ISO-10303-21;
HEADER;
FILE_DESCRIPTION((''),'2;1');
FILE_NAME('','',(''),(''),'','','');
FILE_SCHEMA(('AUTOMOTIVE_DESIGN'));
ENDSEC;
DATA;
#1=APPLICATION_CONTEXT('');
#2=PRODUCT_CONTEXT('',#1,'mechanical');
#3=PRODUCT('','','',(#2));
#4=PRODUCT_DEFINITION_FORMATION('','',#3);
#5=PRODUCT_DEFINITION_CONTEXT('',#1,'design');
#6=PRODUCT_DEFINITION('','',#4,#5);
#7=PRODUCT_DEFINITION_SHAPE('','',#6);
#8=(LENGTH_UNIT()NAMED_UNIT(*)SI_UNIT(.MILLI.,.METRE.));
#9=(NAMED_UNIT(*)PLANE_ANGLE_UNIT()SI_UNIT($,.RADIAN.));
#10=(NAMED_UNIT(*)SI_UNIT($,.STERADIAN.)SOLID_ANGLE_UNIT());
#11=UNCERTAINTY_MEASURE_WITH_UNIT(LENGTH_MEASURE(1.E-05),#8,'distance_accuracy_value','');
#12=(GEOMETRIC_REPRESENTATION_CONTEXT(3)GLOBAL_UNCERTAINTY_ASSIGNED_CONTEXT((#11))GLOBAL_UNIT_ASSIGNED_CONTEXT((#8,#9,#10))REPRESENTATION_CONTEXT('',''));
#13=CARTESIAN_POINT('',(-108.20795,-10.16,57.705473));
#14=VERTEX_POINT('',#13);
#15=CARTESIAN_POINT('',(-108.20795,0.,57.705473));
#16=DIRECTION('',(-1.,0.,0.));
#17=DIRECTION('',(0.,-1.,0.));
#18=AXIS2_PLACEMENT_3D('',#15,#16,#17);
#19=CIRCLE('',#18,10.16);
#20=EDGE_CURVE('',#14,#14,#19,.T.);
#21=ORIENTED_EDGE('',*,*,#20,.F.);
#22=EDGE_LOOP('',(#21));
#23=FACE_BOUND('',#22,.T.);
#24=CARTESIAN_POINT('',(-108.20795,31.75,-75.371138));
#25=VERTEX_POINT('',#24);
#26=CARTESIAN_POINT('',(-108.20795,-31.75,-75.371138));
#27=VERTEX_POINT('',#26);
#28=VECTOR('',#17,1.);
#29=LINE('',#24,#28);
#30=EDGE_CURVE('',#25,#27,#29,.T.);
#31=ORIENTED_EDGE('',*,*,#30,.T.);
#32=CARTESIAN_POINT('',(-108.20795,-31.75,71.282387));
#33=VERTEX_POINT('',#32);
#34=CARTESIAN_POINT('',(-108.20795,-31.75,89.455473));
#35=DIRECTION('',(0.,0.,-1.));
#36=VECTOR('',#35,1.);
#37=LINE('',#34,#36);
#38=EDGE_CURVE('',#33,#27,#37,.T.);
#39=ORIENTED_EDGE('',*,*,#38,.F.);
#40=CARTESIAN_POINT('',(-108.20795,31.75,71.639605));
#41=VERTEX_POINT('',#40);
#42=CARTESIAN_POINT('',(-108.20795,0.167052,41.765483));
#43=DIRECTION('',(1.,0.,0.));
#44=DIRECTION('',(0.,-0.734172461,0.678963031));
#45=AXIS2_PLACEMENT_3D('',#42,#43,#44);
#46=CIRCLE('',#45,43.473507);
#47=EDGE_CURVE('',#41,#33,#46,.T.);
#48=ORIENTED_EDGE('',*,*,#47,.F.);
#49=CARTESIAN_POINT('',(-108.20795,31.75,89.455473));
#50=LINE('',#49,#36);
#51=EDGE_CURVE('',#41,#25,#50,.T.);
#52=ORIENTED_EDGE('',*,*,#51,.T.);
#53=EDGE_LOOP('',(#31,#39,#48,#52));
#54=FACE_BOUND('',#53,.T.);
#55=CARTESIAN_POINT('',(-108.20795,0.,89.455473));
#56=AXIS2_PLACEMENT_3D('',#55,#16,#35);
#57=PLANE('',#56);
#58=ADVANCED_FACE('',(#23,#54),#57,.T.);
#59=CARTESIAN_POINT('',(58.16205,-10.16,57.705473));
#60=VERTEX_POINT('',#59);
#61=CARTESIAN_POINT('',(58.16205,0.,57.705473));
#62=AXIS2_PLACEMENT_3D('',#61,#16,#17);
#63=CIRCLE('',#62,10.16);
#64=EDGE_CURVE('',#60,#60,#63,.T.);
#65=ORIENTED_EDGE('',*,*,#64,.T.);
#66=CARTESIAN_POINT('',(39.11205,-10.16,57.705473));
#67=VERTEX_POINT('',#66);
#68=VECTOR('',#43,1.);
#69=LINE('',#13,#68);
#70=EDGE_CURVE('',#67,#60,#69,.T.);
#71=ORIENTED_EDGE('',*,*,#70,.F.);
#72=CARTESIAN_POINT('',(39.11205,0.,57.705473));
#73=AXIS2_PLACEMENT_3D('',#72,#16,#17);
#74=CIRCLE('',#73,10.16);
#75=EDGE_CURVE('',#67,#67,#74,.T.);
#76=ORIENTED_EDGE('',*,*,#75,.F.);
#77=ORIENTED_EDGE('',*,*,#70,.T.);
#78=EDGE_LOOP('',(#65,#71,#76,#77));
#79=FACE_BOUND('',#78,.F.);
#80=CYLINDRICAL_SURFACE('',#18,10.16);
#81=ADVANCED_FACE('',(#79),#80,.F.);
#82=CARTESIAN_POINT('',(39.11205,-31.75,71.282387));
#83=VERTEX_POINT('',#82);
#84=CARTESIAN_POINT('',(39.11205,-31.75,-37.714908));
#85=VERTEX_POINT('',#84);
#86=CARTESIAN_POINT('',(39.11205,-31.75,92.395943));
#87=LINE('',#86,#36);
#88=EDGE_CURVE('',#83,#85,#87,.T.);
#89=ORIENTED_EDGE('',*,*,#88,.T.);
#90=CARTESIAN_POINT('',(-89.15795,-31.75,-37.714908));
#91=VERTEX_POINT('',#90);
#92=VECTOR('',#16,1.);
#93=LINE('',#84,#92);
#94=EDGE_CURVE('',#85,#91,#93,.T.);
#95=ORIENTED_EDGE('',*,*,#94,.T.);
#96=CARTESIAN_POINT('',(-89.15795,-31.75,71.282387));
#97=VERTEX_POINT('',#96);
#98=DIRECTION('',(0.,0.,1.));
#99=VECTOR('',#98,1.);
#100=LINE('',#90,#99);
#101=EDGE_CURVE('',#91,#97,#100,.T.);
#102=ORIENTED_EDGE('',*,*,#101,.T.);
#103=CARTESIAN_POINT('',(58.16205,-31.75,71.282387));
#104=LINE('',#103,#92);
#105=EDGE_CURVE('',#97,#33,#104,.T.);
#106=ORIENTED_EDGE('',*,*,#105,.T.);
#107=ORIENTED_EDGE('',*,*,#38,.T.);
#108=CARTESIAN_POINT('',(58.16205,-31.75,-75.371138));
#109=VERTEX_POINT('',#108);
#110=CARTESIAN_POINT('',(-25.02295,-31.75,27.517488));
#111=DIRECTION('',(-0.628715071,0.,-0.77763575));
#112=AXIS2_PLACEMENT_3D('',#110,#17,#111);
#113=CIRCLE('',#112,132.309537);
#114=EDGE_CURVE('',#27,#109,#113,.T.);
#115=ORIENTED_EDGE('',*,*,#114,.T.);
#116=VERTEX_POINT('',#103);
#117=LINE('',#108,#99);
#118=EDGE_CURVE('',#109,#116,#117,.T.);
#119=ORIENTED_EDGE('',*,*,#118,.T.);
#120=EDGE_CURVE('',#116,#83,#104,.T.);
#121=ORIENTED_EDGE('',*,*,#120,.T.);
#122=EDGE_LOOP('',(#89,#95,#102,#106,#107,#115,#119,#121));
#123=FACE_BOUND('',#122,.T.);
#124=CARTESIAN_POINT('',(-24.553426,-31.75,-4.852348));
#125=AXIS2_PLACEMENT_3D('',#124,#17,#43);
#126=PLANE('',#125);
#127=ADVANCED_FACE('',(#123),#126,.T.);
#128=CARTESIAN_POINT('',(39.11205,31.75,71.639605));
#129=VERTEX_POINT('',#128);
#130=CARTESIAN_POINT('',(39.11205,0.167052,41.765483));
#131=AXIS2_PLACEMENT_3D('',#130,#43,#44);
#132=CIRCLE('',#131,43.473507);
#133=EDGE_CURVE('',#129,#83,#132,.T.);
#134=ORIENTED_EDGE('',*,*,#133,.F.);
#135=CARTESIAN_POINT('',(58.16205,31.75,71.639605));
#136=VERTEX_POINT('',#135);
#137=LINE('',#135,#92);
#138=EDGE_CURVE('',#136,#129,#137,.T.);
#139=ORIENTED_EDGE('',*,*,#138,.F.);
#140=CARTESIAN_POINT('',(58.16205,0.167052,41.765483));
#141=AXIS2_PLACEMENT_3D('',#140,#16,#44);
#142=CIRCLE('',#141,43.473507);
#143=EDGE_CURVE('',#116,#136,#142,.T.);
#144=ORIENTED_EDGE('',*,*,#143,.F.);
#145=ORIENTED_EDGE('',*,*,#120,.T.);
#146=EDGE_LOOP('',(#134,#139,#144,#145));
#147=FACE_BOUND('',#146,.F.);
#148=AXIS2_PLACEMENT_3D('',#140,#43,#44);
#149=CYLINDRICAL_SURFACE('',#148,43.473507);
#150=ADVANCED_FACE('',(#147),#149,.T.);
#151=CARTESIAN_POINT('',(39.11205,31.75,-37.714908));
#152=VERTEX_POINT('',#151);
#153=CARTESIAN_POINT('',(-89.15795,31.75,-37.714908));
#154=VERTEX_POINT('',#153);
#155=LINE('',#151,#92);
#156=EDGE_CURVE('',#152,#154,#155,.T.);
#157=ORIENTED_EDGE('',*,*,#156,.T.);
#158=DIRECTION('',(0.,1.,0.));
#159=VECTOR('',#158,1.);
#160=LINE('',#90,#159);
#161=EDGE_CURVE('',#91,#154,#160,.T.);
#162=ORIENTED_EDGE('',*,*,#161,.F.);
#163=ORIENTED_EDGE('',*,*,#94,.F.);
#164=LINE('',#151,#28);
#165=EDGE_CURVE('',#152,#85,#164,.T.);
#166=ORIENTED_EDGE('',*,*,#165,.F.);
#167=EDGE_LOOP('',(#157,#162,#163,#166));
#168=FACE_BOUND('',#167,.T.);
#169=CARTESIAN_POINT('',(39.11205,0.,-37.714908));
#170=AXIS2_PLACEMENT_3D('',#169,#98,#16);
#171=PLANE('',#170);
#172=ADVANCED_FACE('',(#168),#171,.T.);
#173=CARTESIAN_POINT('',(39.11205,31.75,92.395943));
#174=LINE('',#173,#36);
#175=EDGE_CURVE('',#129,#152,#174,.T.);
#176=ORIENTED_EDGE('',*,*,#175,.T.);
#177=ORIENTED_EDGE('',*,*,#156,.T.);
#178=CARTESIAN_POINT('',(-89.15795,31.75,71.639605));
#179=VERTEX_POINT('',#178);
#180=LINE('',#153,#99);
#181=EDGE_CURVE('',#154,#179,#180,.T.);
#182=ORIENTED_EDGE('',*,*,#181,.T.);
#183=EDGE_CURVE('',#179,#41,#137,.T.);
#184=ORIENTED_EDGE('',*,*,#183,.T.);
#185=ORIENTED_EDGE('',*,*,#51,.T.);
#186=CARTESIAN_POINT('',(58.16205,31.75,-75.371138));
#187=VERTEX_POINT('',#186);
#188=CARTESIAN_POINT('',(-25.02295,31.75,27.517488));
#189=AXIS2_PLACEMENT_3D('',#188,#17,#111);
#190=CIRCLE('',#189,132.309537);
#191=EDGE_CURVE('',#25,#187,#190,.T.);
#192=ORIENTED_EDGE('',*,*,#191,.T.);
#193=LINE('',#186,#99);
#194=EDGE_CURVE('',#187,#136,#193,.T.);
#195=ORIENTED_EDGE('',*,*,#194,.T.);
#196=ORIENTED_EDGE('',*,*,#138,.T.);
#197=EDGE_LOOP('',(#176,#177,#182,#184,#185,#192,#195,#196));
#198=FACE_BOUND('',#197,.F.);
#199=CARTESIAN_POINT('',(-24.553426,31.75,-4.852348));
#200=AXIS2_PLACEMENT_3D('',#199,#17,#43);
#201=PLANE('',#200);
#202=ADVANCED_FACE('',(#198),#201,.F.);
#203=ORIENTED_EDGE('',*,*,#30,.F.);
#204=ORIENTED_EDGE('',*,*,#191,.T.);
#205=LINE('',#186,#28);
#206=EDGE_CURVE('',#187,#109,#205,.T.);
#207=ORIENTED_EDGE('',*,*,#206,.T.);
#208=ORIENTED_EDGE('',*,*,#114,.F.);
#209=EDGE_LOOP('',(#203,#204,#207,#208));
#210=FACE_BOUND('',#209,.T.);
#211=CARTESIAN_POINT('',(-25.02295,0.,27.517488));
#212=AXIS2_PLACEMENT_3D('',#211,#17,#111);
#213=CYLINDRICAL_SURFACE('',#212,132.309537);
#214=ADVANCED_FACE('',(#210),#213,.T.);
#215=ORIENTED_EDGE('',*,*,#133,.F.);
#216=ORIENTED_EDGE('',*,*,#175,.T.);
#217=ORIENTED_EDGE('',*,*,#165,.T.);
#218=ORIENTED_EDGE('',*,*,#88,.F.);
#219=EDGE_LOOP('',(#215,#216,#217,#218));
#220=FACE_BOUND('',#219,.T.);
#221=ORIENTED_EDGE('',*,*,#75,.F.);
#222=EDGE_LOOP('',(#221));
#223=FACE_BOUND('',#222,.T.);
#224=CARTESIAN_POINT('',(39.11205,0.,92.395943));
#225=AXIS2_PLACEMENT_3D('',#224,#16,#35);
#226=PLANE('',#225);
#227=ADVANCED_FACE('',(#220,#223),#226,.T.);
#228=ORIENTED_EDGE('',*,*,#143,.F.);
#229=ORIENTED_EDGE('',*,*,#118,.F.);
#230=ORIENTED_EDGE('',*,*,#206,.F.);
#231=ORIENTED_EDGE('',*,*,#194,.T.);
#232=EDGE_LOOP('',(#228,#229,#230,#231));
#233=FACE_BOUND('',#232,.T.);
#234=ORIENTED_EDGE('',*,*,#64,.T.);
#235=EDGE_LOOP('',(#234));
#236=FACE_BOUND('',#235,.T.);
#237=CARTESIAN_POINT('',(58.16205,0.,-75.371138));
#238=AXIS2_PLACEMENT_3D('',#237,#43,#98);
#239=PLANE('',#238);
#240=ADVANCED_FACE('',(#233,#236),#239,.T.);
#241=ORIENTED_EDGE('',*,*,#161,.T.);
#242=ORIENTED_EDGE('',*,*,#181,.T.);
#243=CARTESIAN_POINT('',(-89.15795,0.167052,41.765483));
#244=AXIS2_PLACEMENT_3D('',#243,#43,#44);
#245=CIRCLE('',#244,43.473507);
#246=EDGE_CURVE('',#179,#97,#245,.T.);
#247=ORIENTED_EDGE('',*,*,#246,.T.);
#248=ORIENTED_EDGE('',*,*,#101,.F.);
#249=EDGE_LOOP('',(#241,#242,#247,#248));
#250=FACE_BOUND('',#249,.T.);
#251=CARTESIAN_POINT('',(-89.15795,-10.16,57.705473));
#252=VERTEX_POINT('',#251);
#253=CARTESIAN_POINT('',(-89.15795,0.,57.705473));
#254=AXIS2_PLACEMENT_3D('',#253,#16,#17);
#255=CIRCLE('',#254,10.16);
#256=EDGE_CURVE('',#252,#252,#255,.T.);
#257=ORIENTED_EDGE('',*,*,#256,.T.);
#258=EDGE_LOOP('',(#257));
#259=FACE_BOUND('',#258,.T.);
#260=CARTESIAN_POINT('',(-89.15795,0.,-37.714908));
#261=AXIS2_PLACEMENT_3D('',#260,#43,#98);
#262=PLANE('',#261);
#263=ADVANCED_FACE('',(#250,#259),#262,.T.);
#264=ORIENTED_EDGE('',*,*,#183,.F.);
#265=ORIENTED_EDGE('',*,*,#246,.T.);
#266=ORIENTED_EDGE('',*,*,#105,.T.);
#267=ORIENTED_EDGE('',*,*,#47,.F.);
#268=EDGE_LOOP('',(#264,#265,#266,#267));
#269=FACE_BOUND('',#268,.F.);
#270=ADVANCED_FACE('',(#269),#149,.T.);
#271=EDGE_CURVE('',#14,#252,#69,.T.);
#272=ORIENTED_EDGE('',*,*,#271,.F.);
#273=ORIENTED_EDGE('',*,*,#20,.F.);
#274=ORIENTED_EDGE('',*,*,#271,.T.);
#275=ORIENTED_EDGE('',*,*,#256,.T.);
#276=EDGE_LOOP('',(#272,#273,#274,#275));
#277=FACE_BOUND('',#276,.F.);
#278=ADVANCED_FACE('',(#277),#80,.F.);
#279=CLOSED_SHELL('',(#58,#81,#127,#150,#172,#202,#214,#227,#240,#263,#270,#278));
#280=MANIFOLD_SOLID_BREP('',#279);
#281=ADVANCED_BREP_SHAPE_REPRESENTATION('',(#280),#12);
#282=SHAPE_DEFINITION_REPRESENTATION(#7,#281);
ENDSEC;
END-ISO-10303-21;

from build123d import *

# Parameters (mm, degrees)
F1_DEPTH = 31.75
F2_R     = 10.16
F3_DEPTH = 166.371
F5_DEPTH = 166.371


with BuildPart() as f1:
    # F0 (on Front) → F1 (new body, symmetric)
    with BuildSketch(Plane.XZ):
        Polygon((-108.20795, 89.455473), (-108.20795, -75.371138), (58.16205, -75.371138), (58.16205, 92.395943), (39.11205, 92.395943), (39.11205, -37.714908), (-89.15795, -37.714908), (-89.15795, 89.455473), align=None)
        with BuildLine():
            Line((58.16205, -75.371138), (-108.20795, -75.371138))
            ThreePointArc((-108.20795, -75.371138), (-25.02295, -104.792049), (58.16205, -75.371138))
        make_face()
    extrude(amount=F1_DEPTH, both=True)

    # F2 (on face) → F3 (cut, through all)
    with BuildSketch(Plane(origin=(-108.20795, 0, 0), x_dir=(0, -1, 0), z_dir=(-1, 0, 0))):
        with Locations((0, 57.705473)):
            Circle(F2_R)
    extrude(amount=-F3_DEPTH, mode=Mode.SUBTRACT)

    # F4 (on face) → F5 (cut, through all)
    with BuildSketch(Plane.YZ.offset(58.16205)):
        with BuildLine():
            ThreePointArc((-31.75, 71.282387), (-0.077504, 85.238302), (31.75, 71.639605))
            Line((31.75, 71.639605), (31.75, 92.395943))
            Line((31.75, 92.395943), (-31.75, 92.395943))
            Line((-31.75, 92.395943), (-31.75, 71.282387))
        make_face()
    extrude(amount=-F5_DEPTH, mode=Mode.SUBTRACT)


solid = f1.part
